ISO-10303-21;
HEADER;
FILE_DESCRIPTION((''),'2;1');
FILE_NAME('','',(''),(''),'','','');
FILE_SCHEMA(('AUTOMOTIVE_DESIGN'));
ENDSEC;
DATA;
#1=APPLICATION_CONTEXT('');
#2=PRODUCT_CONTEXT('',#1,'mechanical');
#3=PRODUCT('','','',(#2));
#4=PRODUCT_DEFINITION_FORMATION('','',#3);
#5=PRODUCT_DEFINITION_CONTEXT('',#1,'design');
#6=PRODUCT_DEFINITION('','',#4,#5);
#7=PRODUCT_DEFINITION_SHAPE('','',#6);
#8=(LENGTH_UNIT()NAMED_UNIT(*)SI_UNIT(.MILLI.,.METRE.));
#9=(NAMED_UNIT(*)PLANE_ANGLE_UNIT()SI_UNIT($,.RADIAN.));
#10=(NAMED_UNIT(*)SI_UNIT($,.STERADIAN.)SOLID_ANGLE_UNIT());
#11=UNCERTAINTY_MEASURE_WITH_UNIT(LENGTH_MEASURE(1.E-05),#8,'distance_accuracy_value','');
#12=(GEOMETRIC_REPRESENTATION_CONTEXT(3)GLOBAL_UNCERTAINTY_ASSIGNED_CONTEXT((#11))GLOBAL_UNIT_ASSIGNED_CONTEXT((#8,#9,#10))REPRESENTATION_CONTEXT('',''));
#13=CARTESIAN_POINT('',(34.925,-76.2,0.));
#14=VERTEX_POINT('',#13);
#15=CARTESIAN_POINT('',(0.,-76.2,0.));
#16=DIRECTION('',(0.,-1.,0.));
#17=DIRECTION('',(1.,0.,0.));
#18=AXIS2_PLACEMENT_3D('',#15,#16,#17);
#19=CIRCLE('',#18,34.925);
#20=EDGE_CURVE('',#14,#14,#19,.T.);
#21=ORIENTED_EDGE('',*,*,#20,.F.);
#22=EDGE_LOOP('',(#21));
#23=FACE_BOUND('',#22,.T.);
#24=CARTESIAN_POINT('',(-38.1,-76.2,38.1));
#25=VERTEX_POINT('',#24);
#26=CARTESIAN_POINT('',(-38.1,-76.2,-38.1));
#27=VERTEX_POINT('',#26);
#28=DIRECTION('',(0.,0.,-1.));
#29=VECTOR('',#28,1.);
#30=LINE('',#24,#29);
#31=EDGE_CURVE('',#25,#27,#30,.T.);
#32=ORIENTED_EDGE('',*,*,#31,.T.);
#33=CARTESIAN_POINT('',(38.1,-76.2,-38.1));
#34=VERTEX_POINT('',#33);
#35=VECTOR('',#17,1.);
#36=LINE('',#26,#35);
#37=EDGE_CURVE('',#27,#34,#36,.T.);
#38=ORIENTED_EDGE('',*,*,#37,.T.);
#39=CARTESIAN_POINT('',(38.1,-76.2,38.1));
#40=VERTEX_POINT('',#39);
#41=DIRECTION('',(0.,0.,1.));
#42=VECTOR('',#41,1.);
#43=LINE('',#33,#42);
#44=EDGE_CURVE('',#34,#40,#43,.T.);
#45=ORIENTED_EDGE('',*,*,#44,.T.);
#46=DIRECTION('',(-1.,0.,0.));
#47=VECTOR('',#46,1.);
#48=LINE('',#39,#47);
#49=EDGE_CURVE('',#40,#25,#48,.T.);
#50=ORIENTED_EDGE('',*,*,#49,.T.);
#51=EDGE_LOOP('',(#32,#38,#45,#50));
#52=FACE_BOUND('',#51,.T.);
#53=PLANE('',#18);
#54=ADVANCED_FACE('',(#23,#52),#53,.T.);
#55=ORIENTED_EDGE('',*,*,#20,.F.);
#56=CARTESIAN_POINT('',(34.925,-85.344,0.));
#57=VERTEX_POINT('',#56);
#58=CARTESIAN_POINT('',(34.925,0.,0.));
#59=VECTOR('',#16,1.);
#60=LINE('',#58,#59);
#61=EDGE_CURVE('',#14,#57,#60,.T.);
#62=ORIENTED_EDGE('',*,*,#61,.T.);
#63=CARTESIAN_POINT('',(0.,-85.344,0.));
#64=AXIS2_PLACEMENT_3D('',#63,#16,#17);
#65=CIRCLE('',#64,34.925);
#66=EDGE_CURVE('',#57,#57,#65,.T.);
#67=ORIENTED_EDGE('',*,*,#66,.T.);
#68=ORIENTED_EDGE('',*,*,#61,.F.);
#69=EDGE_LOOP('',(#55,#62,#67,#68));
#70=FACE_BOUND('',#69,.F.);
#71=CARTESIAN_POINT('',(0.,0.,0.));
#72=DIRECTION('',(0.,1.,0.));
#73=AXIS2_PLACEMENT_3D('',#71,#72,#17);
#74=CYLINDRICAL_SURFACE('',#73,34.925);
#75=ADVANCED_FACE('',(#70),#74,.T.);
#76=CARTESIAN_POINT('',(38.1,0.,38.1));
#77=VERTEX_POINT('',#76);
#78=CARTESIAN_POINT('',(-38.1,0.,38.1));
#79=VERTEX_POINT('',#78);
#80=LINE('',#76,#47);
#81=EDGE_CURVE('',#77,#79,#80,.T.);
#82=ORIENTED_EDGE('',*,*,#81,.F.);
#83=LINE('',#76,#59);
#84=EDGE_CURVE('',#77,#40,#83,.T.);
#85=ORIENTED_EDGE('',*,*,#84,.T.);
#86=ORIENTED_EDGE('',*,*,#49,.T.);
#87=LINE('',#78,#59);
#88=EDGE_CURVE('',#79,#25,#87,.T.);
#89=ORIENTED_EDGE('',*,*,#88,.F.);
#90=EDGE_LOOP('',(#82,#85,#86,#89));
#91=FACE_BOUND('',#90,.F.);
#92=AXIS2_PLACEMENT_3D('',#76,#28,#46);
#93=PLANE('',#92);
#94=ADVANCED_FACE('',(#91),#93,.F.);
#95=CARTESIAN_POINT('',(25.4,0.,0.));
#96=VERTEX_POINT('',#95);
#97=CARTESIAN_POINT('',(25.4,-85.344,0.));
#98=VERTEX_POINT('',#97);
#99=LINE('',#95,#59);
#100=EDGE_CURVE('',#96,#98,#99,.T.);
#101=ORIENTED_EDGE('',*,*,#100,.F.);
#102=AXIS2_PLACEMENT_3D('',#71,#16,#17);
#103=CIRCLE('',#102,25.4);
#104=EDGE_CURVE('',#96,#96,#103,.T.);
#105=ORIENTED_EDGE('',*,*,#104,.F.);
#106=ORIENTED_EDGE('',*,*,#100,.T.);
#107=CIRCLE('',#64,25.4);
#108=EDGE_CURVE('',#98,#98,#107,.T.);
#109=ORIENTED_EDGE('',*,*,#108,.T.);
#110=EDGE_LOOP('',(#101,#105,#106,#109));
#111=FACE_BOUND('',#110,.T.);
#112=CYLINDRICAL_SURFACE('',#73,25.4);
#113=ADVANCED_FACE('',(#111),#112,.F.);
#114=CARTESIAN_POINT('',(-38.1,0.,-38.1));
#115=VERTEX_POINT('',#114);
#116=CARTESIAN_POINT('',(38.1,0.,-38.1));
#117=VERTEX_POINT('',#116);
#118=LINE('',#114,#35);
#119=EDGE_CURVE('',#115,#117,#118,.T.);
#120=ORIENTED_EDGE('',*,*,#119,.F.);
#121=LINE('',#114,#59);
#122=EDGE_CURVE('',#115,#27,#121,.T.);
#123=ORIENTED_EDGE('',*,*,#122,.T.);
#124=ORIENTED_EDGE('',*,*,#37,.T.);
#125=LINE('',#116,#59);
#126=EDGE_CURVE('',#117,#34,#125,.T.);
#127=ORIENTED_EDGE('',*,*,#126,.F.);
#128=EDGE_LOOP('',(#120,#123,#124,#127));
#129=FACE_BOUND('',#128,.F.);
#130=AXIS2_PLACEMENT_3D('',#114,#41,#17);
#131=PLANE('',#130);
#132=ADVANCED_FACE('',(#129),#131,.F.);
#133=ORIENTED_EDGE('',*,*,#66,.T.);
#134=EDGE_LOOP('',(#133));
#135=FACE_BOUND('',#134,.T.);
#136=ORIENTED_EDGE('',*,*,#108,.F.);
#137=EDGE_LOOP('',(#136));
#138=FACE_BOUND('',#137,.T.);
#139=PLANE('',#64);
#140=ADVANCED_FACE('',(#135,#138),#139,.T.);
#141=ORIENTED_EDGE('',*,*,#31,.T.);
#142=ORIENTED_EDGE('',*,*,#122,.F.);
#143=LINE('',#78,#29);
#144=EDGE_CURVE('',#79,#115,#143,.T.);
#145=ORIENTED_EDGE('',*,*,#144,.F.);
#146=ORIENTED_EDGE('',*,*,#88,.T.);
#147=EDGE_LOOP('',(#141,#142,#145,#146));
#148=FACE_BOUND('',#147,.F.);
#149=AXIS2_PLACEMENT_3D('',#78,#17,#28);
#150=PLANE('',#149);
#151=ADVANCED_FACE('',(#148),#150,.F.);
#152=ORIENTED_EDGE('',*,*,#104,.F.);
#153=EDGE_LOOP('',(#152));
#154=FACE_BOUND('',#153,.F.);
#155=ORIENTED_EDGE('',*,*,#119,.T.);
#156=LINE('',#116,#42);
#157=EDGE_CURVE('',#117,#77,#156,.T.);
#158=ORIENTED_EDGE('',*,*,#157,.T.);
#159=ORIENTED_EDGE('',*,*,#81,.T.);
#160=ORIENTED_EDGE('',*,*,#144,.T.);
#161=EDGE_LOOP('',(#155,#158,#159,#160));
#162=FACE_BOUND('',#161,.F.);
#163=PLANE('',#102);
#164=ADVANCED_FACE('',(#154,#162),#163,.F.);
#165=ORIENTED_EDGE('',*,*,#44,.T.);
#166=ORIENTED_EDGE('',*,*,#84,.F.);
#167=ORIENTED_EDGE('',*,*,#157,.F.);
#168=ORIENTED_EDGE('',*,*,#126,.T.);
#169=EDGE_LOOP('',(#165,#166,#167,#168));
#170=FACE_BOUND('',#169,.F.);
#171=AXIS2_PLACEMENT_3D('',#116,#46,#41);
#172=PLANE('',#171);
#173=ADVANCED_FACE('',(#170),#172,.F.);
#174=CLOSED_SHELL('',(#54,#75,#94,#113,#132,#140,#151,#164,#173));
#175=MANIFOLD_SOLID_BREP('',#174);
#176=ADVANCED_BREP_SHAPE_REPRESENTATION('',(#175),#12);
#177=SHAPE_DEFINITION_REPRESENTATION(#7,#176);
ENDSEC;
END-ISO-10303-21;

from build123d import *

# Parameters (mm, degrees)
F0_R     = 34.925
F0_R_2   = 25.4
F1_DEPTH = 85.344
F2_DEPTH = 76.2


with BuildPart() as f1:
    # F0 (on Front) → F1 (new body)
    with BuildSketch(Plane.XZ):
        Circle(F0_R)
        Circle(F0_R_2, mode=Mode.SUBTRACT)
    extrude(amount=F1_DEPTH)

    # F0 (on Front) → F2 (join)
    with BuildSketch(Plane.XZ):
        Polygon((38.1, 38.1), (0, 38.1), (-38.1, 38.1), (-38.1, -38.1), (38.1, -38.1), align=None)
        Circle(F0_R, mode=Mode.SUBTRACT)
    extrude(amount=F2_DEPTH)


solid = f1.part
